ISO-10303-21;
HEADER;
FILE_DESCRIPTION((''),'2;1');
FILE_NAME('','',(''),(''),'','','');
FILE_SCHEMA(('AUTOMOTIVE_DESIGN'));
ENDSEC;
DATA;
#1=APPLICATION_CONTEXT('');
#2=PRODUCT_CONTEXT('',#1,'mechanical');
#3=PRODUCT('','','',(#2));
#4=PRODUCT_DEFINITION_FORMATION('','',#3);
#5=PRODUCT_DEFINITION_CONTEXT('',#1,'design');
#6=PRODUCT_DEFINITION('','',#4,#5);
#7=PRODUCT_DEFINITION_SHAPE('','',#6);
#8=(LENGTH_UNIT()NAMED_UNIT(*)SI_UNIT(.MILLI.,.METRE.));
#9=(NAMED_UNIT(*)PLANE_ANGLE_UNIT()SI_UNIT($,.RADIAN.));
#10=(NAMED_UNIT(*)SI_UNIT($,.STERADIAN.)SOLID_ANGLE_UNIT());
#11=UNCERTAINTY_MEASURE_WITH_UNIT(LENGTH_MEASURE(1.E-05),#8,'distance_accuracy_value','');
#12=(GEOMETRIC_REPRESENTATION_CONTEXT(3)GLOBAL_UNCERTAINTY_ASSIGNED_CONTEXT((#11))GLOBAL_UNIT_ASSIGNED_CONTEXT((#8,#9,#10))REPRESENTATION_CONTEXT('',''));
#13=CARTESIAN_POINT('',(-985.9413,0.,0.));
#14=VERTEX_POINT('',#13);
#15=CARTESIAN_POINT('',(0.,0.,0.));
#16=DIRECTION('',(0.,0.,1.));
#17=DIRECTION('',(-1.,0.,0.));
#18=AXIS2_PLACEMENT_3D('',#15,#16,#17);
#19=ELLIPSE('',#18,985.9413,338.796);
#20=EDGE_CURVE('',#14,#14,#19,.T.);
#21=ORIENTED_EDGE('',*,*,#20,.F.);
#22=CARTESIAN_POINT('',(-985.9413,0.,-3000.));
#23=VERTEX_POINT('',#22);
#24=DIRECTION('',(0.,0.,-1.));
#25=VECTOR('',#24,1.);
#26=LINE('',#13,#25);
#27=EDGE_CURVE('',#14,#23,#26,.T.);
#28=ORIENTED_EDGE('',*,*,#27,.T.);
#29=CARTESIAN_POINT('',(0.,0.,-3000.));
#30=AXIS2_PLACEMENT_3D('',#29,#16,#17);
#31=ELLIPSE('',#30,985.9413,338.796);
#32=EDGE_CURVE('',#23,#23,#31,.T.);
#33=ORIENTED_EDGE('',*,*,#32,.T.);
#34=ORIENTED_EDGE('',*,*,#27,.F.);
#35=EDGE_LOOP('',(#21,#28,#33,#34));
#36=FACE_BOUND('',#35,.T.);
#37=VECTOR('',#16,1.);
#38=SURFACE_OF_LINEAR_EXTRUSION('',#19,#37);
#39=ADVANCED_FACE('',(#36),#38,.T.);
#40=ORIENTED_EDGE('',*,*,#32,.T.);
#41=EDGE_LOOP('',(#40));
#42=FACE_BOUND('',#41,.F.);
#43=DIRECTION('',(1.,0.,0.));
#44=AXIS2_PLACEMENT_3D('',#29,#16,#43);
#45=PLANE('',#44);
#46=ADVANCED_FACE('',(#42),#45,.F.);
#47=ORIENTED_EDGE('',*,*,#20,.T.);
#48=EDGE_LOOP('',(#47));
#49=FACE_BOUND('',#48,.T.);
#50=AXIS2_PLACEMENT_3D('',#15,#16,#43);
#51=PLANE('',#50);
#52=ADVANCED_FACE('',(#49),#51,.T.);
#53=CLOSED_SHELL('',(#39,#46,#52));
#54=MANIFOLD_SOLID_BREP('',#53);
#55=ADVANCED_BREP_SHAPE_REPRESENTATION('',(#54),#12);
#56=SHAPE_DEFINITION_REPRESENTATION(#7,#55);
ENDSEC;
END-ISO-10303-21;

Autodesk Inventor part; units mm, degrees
ref_plane "YZ Plane" through (0, 0, 0) normal (1, 0, 0) x (0, 1, 0)
ref_plane "XZ Plane" through (0, 0, 0) normal (0, 1, 0) x (-1, 0, 0)
ref_plane "XY Plane" through (0, 0, 0) normal (0, 0, 1) x (1, 0, 0)
ref_plane "Work Plane1" through (0, 0, 0) normal (0, 0, 1) x (1, 0, 0)
sketch "Sketch1" plane through (0, 0, 0) normal (0, 0, 1) x (1, 0, 0)
  ellipse E0 centre (0, 0) end of major axis (-985.9413, 0) minor radius 338.796
extrude "Extrusion1" add sketch "Sketch1" against normal blind 3000
sketch "Sketch3" plane through (0, 0, 0) normal (0, 1, 0) x (-1, 0, 0)
  point P0 (0, 0)
properties part number "ellipse2"
